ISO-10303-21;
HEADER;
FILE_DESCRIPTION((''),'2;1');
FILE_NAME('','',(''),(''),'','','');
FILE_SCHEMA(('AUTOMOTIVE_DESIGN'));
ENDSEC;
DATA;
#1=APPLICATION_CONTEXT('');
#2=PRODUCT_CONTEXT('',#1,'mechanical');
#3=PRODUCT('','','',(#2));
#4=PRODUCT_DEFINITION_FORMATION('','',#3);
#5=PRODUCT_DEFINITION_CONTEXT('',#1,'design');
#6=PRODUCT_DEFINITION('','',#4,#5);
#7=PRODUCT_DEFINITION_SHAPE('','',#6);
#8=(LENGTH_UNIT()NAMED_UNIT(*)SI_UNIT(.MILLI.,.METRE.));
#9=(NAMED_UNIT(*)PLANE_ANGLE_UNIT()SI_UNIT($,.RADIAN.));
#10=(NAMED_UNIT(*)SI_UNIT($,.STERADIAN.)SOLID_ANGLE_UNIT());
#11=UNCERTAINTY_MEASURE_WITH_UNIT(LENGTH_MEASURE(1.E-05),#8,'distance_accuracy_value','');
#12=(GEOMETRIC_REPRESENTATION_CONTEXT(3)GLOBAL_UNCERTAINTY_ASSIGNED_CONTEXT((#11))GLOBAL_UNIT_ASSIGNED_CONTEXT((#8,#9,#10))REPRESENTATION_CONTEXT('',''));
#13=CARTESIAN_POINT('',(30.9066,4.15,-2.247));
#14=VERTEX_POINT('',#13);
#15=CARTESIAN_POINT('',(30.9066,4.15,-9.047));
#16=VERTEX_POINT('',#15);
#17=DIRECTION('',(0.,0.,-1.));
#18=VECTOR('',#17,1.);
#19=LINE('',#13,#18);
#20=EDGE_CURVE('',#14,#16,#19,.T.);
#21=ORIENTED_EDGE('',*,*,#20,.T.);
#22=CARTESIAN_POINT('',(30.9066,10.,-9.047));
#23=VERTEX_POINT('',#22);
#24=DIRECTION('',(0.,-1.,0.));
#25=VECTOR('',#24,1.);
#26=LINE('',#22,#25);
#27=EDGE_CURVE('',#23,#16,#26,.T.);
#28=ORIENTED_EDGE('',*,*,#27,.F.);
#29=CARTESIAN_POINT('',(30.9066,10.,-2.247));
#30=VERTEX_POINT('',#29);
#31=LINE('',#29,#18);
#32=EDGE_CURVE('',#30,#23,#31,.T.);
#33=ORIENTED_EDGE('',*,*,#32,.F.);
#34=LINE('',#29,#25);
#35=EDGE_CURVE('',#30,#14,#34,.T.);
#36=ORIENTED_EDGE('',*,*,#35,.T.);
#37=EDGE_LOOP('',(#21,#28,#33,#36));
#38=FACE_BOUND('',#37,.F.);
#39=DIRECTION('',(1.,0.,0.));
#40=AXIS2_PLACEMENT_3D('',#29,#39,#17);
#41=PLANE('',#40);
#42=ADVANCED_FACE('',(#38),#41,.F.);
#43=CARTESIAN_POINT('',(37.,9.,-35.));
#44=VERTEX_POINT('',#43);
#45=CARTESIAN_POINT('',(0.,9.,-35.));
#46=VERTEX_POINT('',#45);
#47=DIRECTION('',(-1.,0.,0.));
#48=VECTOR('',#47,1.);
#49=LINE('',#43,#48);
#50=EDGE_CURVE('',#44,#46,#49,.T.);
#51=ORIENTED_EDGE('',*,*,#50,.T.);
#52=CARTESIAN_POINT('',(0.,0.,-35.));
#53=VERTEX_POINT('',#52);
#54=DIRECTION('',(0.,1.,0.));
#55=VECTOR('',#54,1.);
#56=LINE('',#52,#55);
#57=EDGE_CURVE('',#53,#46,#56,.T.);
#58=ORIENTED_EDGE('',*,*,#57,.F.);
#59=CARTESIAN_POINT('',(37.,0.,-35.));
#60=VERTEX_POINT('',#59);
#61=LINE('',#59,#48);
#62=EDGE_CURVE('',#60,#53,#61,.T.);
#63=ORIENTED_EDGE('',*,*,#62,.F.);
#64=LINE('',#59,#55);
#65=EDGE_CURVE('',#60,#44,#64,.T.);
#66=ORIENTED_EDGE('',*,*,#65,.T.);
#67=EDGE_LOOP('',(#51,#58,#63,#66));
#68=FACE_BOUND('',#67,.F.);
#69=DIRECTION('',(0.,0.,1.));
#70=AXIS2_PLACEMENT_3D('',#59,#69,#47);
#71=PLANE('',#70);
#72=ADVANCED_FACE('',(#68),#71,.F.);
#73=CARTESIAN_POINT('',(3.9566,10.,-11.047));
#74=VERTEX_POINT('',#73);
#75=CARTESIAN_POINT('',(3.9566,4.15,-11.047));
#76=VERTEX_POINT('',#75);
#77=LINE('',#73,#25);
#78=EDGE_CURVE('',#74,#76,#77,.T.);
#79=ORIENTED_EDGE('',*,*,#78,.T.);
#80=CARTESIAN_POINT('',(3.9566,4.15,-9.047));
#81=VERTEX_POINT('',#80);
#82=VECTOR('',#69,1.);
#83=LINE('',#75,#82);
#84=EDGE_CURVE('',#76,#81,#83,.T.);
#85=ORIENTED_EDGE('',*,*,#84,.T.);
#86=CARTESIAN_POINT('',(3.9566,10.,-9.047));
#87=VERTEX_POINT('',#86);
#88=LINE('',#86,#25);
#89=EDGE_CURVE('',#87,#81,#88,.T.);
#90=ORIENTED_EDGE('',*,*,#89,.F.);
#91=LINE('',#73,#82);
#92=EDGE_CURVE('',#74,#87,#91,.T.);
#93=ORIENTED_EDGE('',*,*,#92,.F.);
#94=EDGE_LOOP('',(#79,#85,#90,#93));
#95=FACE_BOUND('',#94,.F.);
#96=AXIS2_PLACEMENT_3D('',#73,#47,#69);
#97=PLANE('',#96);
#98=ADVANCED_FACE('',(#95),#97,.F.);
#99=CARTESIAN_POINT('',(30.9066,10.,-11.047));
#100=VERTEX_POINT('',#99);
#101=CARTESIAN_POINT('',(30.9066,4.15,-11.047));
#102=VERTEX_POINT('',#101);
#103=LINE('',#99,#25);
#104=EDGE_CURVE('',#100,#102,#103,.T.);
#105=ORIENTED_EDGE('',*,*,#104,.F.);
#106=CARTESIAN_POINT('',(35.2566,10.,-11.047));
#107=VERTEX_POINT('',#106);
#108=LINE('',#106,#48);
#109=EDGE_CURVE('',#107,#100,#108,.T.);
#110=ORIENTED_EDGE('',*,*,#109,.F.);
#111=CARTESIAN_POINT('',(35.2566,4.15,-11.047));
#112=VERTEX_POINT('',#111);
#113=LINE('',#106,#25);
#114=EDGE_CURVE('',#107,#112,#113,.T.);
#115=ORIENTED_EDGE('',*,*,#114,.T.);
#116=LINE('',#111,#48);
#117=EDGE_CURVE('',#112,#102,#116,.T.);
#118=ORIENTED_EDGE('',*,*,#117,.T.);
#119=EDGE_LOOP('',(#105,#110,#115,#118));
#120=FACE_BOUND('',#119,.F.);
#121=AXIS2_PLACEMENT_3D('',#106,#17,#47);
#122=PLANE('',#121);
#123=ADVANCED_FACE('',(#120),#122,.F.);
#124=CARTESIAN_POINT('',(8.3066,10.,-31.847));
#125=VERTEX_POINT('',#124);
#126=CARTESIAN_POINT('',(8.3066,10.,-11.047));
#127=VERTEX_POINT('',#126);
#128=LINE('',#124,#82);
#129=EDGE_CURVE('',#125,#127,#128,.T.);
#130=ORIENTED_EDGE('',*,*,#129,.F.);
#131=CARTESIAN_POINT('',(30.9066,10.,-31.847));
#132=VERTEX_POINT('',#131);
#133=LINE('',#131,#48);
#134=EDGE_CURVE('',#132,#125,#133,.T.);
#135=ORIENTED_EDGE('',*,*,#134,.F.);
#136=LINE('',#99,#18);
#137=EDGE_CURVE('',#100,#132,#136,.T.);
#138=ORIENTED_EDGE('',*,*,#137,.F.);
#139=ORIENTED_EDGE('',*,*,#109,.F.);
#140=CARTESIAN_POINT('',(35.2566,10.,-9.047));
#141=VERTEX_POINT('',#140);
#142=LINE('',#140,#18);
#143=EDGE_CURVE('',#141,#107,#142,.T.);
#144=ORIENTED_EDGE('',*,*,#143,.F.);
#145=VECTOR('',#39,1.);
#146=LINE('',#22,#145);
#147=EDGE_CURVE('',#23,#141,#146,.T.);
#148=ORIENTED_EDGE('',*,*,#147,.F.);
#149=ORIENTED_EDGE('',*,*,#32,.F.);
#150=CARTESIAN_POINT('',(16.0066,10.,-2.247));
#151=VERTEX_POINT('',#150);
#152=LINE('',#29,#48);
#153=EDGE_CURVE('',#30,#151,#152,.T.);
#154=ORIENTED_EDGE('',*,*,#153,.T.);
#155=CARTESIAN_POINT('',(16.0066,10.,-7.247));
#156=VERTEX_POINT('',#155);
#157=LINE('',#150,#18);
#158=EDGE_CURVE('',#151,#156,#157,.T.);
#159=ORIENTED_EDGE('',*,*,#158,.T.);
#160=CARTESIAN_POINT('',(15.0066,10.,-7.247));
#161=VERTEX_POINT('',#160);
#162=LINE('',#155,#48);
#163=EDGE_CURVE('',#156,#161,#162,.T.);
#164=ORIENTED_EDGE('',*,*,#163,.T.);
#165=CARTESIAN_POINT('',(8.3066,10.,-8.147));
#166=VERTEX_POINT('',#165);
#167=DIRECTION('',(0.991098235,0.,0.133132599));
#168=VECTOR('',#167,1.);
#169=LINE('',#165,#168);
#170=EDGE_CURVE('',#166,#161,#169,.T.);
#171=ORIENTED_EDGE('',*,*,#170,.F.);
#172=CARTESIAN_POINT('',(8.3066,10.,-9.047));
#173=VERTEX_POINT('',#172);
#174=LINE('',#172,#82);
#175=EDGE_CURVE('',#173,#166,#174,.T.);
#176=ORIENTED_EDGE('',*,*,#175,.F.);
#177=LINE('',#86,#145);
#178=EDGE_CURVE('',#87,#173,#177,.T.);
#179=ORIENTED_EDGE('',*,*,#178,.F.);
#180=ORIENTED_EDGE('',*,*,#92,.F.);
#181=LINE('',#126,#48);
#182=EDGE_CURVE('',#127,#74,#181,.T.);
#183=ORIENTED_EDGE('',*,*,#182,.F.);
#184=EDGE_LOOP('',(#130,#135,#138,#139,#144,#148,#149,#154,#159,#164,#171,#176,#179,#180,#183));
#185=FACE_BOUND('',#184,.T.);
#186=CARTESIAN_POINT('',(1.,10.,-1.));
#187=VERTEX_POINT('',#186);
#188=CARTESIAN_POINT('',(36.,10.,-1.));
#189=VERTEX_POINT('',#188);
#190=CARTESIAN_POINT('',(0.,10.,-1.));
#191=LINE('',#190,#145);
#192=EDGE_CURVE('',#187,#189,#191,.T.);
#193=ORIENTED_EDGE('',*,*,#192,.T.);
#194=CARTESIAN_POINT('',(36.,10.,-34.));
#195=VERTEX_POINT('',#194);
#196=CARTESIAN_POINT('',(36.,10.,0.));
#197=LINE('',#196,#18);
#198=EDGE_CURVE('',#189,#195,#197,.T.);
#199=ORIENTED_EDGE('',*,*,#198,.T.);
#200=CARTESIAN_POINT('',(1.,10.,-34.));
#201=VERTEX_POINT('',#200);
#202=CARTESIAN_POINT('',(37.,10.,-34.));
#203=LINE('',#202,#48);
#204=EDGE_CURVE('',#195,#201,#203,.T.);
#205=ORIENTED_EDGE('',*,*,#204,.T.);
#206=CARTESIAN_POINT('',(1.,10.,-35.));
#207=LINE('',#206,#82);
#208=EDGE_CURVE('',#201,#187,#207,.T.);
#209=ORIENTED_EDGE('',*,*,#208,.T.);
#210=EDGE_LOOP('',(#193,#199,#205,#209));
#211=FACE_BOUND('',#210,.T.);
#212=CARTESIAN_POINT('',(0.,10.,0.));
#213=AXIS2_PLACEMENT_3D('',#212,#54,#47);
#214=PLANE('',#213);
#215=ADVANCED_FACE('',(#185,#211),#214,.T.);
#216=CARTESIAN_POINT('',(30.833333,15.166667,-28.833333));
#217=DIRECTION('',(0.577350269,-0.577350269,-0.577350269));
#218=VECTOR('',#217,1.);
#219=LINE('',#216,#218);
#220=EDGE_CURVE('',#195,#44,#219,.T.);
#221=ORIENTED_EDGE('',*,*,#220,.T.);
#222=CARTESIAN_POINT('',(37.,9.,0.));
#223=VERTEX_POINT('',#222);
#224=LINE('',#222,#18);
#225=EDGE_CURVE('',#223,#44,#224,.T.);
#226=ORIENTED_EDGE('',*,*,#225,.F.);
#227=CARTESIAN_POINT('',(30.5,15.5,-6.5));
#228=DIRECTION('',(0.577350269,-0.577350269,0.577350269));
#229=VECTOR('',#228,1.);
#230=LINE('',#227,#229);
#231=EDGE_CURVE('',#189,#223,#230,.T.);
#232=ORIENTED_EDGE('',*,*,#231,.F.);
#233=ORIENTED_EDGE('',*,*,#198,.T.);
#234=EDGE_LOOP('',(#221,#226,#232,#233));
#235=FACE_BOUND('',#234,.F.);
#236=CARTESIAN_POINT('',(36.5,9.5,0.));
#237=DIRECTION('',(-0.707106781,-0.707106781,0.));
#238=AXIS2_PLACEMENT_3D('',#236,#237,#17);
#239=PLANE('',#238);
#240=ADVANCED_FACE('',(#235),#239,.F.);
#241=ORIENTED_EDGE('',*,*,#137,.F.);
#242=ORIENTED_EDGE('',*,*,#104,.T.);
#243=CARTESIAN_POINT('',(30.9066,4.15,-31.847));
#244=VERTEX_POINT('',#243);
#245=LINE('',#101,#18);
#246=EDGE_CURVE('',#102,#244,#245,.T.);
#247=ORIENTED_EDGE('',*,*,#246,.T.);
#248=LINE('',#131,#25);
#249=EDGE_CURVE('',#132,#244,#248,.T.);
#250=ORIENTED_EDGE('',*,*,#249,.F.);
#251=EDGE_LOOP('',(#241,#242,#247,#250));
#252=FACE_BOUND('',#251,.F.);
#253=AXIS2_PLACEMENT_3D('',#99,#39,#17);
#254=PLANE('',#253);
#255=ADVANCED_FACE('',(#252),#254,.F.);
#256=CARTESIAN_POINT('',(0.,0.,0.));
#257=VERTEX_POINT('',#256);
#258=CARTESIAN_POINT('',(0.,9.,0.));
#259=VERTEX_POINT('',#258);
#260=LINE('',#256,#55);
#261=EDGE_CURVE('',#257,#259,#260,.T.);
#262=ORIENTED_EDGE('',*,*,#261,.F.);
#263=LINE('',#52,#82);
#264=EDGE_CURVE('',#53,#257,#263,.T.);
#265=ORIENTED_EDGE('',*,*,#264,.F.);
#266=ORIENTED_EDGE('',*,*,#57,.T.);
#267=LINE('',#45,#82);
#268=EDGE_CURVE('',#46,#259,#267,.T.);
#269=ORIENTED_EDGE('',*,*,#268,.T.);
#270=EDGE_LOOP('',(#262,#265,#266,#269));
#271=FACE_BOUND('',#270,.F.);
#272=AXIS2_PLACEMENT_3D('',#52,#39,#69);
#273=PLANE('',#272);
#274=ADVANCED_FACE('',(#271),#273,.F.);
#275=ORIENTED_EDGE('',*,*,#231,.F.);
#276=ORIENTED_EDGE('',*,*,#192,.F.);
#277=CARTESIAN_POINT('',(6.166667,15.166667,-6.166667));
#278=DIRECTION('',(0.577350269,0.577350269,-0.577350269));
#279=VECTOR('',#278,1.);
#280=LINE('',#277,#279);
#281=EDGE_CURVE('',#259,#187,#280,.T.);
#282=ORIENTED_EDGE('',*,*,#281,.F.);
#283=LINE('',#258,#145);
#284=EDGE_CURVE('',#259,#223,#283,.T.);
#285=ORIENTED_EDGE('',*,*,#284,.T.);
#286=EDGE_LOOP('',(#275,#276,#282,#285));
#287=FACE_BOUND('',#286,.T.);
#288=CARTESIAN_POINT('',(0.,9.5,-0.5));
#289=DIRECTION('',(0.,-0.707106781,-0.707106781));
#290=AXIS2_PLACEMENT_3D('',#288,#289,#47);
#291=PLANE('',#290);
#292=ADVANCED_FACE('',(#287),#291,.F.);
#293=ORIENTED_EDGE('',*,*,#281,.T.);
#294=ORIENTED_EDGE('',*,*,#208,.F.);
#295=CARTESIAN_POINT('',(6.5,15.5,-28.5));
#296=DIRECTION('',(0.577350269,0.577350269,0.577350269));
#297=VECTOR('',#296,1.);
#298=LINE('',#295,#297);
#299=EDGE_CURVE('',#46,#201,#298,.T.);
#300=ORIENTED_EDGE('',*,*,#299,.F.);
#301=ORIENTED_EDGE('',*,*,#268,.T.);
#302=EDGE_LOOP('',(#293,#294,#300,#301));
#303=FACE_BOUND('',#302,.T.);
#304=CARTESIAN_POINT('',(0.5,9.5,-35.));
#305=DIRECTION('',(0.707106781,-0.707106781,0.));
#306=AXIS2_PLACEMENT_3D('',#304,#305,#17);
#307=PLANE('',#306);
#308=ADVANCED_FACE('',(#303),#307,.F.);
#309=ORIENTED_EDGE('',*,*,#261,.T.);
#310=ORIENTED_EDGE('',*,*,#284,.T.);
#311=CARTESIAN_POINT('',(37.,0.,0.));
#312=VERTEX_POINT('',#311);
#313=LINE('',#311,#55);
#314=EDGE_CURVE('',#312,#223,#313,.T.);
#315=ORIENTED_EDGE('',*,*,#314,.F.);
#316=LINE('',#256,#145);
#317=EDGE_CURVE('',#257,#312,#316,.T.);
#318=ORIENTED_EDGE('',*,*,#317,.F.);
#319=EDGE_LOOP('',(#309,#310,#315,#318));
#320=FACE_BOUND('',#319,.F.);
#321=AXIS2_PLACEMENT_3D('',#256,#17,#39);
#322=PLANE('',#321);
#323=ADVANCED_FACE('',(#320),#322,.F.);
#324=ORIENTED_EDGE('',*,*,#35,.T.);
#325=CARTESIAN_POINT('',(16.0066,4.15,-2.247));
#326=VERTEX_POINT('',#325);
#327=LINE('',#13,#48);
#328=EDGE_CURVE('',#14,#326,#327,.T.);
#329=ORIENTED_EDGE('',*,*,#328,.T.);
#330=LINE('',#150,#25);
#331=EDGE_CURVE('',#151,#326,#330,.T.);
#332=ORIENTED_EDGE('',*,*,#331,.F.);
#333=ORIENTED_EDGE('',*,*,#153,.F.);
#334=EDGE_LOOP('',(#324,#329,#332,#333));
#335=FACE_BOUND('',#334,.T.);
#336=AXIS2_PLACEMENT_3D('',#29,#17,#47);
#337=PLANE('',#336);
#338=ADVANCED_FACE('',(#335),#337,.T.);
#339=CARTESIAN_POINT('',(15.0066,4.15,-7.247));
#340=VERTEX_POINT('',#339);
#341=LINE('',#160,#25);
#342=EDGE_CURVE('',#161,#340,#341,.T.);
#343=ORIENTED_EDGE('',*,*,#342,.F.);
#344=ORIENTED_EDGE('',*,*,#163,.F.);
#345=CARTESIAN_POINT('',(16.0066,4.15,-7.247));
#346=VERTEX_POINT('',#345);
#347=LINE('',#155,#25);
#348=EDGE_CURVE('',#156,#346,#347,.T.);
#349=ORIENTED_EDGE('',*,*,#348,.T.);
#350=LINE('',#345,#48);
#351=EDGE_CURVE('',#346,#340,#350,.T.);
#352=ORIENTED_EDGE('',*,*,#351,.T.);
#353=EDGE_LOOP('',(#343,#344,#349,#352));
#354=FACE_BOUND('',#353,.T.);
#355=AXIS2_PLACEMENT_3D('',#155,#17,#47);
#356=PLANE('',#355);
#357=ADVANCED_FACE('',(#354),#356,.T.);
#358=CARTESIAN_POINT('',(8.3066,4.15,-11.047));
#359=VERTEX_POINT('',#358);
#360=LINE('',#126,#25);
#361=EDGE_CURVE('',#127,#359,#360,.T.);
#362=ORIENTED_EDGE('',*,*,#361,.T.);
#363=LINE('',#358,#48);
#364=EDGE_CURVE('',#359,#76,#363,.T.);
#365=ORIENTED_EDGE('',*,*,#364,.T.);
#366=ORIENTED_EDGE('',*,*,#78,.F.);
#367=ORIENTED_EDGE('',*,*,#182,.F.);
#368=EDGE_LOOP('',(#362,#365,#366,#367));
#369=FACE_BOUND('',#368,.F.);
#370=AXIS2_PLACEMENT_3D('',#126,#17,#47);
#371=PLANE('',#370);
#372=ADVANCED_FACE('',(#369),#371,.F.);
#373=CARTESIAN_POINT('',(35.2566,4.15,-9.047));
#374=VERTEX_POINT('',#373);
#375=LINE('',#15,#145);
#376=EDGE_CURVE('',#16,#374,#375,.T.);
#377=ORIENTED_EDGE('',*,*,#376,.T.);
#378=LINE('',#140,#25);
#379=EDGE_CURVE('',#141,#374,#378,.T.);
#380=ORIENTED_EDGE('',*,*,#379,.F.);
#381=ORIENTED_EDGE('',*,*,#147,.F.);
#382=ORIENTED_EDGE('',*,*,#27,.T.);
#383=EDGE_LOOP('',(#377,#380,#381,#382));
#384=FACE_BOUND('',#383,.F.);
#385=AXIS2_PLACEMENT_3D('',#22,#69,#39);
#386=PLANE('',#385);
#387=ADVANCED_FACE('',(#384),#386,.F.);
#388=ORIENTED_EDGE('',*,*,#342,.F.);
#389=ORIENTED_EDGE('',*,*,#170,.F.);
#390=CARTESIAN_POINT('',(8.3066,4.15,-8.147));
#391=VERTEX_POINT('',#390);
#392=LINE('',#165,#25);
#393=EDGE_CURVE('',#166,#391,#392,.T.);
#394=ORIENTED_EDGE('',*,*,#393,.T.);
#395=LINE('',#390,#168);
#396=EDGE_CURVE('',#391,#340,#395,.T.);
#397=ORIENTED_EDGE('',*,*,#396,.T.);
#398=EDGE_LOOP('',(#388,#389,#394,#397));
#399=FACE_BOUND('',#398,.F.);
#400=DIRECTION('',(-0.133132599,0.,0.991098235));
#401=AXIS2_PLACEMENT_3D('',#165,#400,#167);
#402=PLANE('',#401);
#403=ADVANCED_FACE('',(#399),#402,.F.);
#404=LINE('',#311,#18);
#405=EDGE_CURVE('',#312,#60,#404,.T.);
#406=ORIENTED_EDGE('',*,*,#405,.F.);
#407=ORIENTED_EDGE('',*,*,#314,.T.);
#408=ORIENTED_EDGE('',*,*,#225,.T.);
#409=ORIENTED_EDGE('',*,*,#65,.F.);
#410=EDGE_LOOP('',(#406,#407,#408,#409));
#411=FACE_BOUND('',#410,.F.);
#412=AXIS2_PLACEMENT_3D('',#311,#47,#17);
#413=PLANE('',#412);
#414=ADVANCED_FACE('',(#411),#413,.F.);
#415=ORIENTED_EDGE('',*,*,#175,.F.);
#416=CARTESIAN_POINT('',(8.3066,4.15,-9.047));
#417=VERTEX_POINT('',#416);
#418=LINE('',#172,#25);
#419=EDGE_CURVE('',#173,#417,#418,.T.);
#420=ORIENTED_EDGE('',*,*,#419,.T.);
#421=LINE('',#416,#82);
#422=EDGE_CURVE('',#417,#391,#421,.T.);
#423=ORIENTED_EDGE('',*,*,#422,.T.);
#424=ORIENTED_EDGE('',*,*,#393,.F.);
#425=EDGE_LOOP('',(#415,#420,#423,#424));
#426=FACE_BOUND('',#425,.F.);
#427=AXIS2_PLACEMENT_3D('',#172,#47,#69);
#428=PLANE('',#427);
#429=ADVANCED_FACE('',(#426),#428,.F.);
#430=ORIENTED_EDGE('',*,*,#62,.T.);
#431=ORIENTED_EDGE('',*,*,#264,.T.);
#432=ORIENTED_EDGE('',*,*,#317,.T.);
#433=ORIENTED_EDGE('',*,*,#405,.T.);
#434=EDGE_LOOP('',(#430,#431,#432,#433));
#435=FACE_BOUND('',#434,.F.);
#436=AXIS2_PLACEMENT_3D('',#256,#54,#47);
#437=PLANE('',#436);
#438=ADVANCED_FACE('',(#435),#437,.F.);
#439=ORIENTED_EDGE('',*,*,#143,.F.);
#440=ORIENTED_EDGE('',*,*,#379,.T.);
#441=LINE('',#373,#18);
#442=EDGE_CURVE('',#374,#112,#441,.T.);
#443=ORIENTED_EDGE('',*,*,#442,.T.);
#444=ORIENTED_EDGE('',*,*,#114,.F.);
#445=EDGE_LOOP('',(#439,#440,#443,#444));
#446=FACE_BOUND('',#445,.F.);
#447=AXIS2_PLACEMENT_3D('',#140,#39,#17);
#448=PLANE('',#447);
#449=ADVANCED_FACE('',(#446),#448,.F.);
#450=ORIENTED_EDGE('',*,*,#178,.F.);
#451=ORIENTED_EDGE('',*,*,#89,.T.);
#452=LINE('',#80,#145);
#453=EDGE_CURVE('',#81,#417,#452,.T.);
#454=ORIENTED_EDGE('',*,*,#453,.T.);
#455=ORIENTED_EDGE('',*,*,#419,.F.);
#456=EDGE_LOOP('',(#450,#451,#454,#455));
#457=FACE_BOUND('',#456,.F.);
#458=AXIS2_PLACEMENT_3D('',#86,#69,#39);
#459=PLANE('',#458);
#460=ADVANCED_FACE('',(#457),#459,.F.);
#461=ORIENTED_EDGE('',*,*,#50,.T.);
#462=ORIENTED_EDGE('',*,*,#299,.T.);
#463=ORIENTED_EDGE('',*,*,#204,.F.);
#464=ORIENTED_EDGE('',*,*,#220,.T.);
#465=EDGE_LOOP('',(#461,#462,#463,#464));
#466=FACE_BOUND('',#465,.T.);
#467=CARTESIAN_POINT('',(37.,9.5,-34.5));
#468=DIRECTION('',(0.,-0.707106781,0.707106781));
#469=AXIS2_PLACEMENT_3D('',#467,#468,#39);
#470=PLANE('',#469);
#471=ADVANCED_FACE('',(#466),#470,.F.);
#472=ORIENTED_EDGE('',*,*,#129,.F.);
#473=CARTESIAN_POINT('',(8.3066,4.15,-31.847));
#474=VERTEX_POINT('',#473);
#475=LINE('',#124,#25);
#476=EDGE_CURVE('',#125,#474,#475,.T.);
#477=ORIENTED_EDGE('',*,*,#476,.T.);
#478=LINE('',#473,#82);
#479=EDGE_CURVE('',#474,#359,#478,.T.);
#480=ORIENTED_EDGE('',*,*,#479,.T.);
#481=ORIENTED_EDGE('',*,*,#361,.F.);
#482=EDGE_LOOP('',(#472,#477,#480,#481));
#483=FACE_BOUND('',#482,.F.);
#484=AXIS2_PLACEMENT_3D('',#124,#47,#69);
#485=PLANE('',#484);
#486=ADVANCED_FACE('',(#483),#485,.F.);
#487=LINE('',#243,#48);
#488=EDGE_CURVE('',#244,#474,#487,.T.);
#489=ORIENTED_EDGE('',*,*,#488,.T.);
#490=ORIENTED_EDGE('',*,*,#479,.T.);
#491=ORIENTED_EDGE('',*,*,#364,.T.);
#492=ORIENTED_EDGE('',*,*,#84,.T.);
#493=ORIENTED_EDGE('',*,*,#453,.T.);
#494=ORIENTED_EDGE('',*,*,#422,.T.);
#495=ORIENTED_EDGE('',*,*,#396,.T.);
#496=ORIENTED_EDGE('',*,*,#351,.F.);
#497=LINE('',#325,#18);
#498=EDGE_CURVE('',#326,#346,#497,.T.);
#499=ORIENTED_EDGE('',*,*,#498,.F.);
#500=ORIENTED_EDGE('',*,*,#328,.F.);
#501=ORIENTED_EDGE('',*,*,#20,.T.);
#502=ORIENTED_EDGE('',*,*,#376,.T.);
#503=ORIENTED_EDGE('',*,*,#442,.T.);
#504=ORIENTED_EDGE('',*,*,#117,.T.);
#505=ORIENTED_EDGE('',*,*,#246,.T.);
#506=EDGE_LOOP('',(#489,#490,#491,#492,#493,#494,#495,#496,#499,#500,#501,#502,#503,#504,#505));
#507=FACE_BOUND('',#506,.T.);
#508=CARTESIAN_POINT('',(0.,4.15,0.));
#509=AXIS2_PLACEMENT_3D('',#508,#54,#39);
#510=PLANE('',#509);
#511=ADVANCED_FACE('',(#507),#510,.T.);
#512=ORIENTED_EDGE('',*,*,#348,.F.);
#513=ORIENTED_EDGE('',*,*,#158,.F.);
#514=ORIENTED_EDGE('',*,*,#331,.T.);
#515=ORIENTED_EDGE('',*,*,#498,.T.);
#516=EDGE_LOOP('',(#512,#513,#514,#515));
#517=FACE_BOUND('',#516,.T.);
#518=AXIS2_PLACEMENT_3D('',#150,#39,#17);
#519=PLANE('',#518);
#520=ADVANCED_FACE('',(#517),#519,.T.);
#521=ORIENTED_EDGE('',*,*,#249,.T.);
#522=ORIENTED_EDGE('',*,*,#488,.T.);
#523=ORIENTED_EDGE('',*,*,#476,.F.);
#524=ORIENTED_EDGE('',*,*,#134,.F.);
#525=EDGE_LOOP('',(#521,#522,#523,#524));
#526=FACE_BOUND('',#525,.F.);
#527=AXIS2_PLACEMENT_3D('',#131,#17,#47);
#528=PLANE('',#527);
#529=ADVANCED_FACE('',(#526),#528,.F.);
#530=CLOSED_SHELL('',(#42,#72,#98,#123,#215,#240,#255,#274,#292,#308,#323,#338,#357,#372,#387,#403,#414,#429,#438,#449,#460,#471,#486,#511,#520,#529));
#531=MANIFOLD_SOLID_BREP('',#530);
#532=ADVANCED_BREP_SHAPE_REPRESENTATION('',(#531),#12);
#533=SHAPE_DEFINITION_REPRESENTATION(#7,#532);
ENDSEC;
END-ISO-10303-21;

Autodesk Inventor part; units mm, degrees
ref_plane "YZ Plane" through (0, 0, 0) normal (1, 0, 0) x (0, 1, 0)
ref_plane "XZ Plane" through (0, 0, 0) normal (0, 1, 0) x (-1, 0, 0)
ref_plane "XY Plane" through (0, 0, 0) normal (0, 0, 1) x (1, 0, 0)
sketch "Sketch2" plane through (0, 0, 0) normal (0, 1, 0) x (-1, 0, 0)
  line L0 (0, 0) -> (-37, 0)
  line L1 (-37, 0) -> (-37, -35)
  line L2 (-37, -35) -> (0, -35)
  line L3 (0, -35) -> (0, 0)
  dimension "d4" = 37
  dimension "d5" = 35
extrude "Extrusion2" add sketch "Sketch2" along normal blind 10
sketch "Sketch3" plane through (0, 10, 0) normal (0, 1, 0) x (1, 0, 0)
  point P0 (0, 0)
sketch "Sketch4" plane through (0, 10, 0) normal (0, 1, 0) x (1, 0, 0)
  line L0 (30.9066, 2.247) -> (16.0066, 2.247)
  line L1 (16.0066, 2.247) -> (16.0066, 7.247)
  line L2 (16.0066, 7.247) -> (15.0066, 7.247)
  line L3 (30.9066, 2.247) -> (30.9066, 9.047)
  line L4 (30.9066, 9.047) -> (35.2566, 9.047)
  line L5 (35.2566, 9.047) -> (35.2566, 11.047)
  line L6 (35.2566, 11.047) -> (30.9066, 11.047)
  line L7 (30.9066, 11.047) -> (30.9066, 31.847)
  line L8 (30.9066, 31.847) -> (8.3066, 31.847)
  line L9 (8.3066, 31.847) -> (8.3066, 11.047)
  line L10 (8.3066, 11.047) -> (3.9566, 11.047)
  line L11 (3.9566, 11.047) -> (3.9566, 9.047)
  line L12 (3.9566, 9.047) -> (8.3066, 9.047)
  line L13 (8.3066, 9.047) -> (8.3066, 8.147)
  line L14 (8.3066, 8.147) -> (15.0066, 7.247)
  point P0 (0, 0)
  dimension "d8" = 14.9
  dimension "d9" = 5
  dimension "d10" = 1
  dimension "d11" = 6.8
  dimension "d12" = 4.35
  dimension "d13" = 2
  dimension "d14" = 20.8
  dimension "d15" = 22.6
  dimension "d16" = 4.35
  dimension "d17" = 0.9
extrude "Extrusion3" cut sketch "Sketch4" against normal blind 5.85
chamfer "Chamfer1" distance 1 angle 45 4 edges at (37, 10, -17.5) (18.5, 10, -35) (0, 10, -17.5) (18.5, 10, 0)
properties part number "servo_sandbox"
